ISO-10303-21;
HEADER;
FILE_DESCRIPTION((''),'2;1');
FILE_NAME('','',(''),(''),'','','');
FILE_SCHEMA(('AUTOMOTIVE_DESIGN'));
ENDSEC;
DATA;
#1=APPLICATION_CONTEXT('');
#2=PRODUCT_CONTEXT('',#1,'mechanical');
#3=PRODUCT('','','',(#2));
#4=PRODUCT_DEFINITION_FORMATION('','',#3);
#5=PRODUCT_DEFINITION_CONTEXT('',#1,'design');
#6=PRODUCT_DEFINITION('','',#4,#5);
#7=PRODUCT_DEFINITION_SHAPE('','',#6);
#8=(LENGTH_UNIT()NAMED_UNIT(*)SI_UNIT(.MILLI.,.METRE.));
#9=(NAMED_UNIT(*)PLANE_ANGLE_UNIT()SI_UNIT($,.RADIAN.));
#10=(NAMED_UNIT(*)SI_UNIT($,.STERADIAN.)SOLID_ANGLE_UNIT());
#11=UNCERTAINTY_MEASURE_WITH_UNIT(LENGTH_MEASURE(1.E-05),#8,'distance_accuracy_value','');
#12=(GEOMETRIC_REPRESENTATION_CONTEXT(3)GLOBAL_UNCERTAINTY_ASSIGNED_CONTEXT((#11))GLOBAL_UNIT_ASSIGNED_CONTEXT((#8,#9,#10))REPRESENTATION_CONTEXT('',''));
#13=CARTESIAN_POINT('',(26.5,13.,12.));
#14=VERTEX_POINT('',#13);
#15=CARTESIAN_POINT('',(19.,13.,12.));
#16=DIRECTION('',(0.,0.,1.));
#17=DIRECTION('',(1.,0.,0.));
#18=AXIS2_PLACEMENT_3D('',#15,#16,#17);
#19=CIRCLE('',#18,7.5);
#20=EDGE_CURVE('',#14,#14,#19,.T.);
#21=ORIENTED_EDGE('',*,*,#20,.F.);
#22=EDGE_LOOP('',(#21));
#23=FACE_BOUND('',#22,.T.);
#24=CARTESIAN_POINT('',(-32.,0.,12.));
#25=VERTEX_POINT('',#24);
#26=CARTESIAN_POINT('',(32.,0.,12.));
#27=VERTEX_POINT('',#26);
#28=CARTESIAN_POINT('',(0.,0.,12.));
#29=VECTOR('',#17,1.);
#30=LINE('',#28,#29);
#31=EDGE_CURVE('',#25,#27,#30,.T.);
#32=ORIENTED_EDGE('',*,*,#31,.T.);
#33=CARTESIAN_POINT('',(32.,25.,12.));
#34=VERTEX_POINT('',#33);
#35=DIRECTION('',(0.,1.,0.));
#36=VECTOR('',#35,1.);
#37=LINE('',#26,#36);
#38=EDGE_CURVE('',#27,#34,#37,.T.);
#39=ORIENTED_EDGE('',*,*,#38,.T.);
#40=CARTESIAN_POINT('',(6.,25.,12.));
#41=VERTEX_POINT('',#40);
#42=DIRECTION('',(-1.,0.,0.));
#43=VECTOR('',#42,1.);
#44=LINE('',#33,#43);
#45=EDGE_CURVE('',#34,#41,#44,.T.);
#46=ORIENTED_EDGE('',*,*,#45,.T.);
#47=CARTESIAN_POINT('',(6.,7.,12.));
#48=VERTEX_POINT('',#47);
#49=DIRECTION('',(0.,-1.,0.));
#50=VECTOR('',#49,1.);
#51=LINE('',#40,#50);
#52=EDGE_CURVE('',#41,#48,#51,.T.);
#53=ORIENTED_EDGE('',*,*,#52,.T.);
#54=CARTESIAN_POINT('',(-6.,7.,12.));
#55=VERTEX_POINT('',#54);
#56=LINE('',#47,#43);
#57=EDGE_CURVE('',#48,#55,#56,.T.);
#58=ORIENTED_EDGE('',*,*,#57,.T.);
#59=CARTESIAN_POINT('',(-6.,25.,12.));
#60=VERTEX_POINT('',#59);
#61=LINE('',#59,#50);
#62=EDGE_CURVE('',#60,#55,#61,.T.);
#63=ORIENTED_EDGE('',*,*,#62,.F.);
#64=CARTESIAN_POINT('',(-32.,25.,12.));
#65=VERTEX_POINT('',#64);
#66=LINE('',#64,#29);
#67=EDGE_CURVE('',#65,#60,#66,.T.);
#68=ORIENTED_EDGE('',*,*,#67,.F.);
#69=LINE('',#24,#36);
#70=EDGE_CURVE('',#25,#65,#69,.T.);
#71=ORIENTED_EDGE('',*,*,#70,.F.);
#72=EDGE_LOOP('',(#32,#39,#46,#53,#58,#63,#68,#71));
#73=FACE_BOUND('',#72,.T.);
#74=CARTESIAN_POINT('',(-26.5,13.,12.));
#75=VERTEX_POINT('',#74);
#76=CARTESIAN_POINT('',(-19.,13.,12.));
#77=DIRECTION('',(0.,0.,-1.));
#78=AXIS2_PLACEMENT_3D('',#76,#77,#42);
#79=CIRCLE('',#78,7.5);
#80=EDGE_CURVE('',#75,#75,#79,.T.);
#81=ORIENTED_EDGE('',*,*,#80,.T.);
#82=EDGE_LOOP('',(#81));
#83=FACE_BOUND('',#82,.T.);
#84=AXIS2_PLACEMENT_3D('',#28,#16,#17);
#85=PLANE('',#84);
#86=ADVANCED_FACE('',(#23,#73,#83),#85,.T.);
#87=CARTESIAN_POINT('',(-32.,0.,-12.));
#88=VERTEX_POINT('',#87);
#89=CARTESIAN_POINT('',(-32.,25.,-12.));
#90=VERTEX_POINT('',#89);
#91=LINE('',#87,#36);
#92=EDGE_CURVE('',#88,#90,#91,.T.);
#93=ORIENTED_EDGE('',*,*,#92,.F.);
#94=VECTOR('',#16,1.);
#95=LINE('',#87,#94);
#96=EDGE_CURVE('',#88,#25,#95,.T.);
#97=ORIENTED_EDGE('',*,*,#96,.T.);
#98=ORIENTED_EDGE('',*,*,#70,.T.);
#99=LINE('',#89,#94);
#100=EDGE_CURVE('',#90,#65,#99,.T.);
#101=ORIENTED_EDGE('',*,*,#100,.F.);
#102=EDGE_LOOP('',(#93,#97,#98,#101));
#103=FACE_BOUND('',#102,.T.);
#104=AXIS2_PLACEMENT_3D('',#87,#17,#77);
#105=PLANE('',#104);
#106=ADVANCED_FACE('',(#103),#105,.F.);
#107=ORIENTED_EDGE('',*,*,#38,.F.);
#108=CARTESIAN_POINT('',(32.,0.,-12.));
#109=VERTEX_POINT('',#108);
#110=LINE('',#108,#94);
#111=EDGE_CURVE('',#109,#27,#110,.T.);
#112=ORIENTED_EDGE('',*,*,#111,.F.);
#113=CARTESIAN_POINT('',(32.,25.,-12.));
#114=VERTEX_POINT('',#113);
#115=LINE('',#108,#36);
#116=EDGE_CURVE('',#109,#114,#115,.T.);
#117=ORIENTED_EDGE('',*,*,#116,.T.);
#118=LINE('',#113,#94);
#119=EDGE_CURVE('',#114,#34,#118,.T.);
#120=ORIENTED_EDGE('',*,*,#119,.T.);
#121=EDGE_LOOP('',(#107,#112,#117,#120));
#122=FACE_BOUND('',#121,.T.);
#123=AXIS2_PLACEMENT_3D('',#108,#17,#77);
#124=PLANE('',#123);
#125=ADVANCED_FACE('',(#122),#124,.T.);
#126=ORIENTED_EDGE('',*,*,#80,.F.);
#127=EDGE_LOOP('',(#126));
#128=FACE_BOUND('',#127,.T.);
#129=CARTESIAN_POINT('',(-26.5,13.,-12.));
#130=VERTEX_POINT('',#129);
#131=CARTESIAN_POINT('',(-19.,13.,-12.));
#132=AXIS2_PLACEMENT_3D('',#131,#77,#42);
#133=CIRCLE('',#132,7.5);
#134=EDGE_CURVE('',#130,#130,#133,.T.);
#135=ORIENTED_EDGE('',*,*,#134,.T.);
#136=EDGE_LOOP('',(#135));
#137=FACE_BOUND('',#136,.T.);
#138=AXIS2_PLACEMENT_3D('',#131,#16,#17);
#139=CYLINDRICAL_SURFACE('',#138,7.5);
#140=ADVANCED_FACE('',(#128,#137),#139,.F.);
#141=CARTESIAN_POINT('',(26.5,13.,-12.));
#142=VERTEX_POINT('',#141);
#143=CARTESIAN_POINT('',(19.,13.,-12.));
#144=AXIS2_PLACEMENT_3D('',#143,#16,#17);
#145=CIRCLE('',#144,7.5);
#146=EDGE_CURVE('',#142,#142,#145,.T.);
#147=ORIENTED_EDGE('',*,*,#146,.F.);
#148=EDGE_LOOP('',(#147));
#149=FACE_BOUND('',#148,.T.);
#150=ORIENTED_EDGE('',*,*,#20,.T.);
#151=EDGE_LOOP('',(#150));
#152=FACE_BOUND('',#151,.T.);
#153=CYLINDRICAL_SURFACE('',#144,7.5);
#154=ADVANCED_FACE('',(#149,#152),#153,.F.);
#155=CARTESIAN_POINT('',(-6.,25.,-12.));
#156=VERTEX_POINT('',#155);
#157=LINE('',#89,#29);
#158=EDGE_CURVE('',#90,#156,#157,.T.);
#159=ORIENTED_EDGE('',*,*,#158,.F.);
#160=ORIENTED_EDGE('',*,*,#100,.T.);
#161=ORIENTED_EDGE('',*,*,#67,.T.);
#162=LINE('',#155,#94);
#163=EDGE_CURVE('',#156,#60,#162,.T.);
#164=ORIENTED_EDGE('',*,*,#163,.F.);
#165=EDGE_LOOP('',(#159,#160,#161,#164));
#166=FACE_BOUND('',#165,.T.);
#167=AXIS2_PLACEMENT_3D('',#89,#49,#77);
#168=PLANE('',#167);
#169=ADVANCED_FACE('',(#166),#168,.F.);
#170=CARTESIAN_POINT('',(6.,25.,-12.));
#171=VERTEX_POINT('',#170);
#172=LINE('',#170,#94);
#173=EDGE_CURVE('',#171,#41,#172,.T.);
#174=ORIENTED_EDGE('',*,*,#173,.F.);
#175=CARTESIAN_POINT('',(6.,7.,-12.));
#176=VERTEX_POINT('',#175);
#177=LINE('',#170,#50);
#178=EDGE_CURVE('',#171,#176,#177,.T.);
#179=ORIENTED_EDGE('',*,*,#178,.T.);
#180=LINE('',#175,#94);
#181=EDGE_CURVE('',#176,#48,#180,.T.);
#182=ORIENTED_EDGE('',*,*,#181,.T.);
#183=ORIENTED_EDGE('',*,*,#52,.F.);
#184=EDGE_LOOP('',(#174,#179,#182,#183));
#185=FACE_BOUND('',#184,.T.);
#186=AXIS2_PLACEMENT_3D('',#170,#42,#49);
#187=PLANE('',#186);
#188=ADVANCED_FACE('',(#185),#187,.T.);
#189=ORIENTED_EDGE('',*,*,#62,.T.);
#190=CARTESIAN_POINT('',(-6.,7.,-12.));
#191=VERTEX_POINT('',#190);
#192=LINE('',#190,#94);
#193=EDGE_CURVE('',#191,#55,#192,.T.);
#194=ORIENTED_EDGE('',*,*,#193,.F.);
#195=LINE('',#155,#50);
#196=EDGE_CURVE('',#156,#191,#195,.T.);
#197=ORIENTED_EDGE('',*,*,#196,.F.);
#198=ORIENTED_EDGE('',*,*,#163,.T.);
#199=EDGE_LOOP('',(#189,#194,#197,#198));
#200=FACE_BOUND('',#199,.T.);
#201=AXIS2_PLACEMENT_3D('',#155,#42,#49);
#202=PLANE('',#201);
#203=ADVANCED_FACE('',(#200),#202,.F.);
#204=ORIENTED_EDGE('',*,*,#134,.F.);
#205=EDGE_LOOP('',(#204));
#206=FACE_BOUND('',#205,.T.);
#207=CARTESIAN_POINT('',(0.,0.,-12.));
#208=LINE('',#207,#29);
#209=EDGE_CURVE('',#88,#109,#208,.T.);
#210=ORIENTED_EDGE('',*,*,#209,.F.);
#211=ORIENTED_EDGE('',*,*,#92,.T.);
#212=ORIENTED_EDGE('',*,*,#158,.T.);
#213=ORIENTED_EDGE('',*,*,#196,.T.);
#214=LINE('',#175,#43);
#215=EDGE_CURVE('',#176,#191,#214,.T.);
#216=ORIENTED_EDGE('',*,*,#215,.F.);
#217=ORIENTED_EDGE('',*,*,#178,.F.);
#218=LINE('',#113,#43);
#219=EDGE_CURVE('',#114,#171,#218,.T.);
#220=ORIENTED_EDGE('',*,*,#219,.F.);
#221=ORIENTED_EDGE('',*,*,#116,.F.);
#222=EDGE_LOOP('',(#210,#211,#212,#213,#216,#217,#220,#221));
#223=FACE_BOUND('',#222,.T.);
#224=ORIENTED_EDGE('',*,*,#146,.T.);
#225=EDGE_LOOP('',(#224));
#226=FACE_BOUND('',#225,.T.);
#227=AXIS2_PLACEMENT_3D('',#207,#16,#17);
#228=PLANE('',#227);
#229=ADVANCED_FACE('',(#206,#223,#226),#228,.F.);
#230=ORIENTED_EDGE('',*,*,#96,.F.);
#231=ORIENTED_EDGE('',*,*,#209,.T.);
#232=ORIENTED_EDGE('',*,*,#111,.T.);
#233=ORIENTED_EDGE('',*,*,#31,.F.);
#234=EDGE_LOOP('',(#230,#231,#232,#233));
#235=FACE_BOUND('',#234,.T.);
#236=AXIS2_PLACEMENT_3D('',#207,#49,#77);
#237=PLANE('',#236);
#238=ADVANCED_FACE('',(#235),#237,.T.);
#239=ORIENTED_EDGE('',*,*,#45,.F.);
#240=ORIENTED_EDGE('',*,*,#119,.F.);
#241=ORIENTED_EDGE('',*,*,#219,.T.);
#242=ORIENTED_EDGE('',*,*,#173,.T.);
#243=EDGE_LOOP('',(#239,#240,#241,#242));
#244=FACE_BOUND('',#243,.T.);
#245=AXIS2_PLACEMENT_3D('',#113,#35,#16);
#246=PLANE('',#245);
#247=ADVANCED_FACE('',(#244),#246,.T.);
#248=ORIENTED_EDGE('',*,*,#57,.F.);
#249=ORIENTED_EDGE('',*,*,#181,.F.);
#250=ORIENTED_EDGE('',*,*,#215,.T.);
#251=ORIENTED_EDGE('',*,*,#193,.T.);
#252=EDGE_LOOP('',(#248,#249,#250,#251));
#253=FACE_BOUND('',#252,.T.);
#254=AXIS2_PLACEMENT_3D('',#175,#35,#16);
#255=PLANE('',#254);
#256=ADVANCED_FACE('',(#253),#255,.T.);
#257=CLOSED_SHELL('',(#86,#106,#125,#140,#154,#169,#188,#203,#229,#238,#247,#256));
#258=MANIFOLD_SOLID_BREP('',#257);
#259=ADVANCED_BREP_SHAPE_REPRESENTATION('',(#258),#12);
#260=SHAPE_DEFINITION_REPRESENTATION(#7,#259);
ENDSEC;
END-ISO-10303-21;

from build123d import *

# Parameters (mm, degrees)
SKETCH8_R           = 7.5
BOSS_EXTRUDE1_DEPTH = 12


with BuildPart() as part:
    # Sketch8 → Boss-Extrude1 (new, symmetric)
    with BuildSketch(Plane.XY):
        Polygon((0, 0), (32, 0), (32, 25), (6, 25), (6, 7), (0, 7), align=None)
        with Locations((19, 13)):
            Circle(SKETCH8_R, mode=Mode.SUBTRACT)
    boss_extrude1 = extrude(amount=BOSS_EXTRUDE1_DEPTH, both=True)

    # Mirror1: Boss-Extrude1 across plane
    add(boss_extrude1.mirror(Plane(origin=(0, 0, 0), x_dir=(0, 0, 1), z_dir=(1, 0, 0))))


solid = part.part
